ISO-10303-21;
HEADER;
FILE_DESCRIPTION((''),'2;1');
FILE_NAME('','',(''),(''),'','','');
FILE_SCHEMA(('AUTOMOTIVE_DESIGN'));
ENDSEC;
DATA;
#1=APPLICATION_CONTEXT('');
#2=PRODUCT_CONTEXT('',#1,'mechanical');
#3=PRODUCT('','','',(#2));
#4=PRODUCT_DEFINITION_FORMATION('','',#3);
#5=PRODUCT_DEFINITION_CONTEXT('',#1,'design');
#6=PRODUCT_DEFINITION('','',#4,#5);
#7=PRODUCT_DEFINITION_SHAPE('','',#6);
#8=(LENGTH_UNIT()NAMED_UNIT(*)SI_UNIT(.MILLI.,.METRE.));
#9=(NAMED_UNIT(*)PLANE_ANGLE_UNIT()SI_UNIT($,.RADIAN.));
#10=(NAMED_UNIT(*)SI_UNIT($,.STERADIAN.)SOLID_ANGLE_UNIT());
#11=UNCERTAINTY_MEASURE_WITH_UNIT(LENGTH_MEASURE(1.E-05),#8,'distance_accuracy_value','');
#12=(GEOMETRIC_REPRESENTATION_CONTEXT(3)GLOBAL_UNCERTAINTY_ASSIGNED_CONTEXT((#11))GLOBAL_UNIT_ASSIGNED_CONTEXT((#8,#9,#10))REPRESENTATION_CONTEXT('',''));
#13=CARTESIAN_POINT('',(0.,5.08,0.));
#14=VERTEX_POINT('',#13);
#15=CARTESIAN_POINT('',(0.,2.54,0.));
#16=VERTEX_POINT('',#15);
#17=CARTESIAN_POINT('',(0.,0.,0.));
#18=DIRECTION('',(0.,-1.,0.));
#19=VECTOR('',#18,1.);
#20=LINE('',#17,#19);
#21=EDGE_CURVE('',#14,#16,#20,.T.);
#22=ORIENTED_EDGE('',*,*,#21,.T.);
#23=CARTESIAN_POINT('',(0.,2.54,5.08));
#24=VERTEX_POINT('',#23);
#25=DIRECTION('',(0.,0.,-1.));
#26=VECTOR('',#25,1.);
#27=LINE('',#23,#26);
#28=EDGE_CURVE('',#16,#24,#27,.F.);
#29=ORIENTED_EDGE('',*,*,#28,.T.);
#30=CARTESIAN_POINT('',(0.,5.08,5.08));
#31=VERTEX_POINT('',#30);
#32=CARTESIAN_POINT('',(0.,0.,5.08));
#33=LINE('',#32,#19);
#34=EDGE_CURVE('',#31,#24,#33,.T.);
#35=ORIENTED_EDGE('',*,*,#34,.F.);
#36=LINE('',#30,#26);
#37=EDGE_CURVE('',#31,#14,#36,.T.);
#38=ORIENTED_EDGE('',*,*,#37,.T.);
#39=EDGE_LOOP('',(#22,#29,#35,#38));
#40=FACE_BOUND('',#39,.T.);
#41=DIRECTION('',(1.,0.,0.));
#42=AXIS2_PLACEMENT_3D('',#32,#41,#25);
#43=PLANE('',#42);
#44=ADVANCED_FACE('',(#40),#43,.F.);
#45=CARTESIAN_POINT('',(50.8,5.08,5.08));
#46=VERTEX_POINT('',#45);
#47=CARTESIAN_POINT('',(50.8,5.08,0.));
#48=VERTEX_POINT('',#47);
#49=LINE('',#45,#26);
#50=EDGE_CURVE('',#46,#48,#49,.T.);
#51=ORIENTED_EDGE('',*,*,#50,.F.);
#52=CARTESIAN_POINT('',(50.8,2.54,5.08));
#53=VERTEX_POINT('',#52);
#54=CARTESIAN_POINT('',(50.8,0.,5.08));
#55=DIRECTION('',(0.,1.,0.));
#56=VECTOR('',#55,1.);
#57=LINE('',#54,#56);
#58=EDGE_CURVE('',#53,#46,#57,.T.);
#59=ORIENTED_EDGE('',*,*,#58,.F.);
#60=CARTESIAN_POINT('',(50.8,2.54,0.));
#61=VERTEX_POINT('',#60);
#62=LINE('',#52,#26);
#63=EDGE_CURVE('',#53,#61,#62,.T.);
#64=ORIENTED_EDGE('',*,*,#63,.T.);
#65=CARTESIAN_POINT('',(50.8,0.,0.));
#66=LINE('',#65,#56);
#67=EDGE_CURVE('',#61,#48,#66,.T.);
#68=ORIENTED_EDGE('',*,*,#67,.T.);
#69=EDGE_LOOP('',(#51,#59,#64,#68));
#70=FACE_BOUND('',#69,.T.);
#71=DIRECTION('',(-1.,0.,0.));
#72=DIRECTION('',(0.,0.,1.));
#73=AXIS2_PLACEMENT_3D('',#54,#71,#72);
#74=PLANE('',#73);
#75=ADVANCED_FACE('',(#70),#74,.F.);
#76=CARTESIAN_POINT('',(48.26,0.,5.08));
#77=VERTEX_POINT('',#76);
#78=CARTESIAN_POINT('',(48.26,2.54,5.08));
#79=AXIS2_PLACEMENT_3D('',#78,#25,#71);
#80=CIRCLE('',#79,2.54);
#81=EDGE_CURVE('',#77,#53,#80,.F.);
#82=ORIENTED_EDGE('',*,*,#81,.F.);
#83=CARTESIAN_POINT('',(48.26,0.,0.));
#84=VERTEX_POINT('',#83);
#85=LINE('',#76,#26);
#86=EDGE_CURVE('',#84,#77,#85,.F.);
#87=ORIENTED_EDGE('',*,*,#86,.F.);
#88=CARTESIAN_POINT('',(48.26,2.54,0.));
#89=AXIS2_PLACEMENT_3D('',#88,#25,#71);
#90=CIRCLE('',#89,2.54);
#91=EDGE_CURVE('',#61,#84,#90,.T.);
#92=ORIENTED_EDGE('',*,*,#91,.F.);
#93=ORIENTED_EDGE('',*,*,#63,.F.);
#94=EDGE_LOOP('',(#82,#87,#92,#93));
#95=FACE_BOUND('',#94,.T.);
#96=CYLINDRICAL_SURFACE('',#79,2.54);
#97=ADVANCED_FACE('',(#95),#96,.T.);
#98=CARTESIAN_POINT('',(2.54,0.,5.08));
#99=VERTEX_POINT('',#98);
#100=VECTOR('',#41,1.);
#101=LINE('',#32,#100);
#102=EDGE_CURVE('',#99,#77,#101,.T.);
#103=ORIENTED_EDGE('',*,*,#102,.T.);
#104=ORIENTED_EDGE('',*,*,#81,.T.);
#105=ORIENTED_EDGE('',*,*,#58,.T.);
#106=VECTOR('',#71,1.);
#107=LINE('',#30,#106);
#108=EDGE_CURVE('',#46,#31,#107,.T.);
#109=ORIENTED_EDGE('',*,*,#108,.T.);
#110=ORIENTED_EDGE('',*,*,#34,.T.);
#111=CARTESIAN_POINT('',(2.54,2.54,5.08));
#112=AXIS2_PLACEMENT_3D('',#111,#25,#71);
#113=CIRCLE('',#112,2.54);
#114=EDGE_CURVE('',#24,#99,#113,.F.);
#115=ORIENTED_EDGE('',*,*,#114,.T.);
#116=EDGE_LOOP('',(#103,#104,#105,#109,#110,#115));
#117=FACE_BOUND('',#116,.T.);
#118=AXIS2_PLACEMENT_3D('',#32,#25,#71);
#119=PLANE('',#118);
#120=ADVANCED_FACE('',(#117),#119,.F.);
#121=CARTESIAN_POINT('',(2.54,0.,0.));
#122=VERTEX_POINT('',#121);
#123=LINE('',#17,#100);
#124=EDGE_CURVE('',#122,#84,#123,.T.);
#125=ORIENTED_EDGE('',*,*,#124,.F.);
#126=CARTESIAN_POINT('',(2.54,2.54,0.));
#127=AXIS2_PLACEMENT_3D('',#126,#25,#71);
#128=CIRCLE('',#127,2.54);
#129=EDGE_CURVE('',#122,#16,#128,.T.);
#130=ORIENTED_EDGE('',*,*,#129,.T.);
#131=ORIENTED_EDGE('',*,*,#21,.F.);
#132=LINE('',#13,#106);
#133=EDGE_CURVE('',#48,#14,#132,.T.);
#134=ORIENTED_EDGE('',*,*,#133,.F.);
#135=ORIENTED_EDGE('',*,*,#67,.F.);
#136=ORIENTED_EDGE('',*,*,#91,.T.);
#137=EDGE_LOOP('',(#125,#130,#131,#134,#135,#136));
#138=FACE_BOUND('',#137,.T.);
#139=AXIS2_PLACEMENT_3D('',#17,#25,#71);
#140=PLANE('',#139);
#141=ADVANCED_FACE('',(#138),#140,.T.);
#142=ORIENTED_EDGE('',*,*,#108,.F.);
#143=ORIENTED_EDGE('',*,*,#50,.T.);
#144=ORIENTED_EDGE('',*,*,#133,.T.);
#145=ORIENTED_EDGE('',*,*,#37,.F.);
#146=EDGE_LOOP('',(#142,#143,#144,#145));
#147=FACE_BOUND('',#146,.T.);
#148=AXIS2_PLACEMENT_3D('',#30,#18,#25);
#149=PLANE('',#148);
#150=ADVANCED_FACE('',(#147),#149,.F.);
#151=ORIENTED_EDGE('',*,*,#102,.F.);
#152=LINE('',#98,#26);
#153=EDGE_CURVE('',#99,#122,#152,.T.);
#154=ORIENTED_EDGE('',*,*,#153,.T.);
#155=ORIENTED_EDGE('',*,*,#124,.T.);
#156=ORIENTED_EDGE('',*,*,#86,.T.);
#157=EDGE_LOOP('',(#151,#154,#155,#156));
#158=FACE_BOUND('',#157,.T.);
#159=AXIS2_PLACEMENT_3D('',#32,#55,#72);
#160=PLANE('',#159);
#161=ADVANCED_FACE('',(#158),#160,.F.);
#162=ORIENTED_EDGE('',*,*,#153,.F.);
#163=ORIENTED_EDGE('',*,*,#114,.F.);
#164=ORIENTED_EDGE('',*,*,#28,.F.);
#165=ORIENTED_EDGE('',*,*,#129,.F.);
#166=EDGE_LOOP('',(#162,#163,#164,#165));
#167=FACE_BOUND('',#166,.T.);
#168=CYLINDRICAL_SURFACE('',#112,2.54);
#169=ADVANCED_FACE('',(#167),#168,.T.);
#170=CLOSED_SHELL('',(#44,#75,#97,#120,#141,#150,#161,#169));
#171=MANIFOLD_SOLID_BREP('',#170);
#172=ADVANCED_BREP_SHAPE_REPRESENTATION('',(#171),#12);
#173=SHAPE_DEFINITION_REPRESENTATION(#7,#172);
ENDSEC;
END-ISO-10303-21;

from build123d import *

# Parameters (mm, degrees)
SKETCH1_W           = 50.8
SKETCH1_H           = 5.08
BOSS_EXTRUDE1_DEPTH = 5.08
FILLET1_R           = 2.54


with BuildPart() as part:
    # Sketch1 → Boss-Extrude1 (new body)
    with BuildSketch(Plane.XY):
        with Locations((25.4, 2.54)):
            Rectangle(SKETCH1_W, SKETCH1_H)
    extrude(amount=BOSS_EXTRUDE1_DEPTH)

    # Fillet1
    fillet1_edges = [part.edges().sort_by_distance(p)[0] for p in [
        (50.8, 0, 2.54),
        (0, 0, 2.54),
    ]]
    fillet(fillet1_edges, radius=FILLET1_R)


solid = part.part
